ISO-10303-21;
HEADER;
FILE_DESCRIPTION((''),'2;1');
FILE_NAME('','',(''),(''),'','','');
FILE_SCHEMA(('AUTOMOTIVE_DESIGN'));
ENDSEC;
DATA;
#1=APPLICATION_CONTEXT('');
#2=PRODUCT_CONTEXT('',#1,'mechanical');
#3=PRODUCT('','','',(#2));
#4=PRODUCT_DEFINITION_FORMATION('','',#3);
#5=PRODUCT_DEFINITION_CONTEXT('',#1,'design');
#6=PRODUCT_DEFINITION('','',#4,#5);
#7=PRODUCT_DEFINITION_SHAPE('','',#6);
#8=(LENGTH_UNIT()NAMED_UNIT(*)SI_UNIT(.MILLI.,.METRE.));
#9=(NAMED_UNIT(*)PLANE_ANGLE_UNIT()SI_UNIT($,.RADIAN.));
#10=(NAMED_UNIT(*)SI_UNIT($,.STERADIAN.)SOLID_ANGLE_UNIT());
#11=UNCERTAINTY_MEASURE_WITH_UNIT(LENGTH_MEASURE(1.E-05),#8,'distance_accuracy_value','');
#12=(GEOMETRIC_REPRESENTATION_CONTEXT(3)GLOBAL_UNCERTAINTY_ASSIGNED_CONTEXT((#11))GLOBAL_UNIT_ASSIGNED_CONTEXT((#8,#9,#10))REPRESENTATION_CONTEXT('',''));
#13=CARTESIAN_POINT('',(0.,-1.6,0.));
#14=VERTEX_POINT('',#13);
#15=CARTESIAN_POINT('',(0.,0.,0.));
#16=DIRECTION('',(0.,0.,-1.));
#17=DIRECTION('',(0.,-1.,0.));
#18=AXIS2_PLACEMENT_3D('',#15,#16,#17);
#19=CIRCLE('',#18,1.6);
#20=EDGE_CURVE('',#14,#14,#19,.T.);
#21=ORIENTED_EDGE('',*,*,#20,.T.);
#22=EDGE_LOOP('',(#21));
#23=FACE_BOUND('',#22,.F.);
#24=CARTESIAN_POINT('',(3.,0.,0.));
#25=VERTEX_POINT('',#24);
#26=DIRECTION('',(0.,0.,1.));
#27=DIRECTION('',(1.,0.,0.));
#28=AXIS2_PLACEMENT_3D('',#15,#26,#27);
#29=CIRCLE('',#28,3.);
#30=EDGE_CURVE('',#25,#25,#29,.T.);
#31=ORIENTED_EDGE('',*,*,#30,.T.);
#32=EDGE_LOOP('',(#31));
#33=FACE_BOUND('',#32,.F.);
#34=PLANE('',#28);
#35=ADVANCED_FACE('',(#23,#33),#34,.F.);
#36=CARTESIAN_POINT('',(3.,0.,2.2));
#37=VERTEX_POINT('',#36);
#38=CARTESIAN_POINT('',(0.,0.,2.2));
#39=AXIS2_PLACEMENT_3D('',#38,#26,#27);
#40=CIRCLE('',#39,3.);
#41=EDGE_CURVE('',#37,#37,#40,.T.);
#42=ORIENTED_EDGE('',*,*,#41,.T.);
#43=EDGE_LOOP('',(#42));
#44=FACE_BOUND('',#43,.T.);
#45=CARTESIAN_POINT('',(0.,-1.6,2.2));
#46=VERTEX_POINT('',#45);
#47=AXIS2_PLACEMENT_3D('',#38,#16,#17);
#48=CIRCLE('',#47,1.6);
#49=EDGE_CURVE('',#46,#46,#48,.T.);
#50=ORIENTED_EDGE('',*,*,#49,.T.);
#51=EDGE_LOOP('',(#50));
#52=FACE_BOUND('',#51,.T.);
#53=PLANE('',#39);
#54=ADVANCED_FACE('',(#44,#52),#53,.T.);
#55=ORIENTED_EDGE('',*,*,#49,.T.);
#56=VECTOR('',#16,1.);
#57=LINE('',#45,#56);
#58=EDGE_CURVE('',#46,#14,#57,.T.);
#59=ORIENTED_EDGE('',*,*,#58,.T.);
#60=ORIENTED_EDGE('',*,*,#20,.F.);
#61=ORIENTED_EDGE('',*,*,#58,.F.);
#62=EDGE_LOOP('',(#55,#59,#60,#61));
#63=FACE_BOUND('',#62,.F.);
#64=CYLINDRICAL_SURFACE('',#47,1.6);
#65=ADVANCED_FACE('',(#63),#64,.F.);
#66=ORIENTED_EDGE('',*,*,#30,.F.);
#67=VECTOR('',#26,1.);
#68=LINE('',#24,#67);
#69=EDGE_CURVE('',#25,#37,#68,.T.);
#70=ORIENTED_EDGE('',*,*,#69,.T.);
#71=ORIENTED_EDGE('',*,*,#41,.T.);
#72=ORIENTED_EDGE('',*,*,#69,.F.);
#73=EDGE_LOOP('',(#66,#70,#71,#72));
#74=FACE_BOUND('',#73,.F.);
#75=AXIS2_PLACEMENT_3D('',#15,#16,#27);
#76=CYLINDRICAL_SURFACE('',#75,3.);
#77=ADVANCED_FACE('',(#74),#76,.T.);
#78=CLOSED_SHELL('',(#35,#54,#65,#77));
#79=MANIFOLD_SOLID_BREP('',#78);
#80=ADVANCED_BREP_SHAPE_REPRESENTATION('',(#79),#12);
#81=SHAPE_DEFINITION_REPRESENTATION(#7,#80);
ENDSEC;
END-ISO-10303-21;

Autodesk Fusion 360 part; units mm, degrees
sketch "Sketch1" plane through (0, 0, 0) normal (0, 0, 1) x (1, 0, 0)
  circle A0 centre (0, 0) radius 3
  dimension "d1" = 6
extrude "Extrude1" add sketch "Sketch1" along normal blind 2.2
hole "Hole1" at (0, 0, 2.2) direction (0, 0, -1) diameter 3.2 depth 101.732 tip angle 118
